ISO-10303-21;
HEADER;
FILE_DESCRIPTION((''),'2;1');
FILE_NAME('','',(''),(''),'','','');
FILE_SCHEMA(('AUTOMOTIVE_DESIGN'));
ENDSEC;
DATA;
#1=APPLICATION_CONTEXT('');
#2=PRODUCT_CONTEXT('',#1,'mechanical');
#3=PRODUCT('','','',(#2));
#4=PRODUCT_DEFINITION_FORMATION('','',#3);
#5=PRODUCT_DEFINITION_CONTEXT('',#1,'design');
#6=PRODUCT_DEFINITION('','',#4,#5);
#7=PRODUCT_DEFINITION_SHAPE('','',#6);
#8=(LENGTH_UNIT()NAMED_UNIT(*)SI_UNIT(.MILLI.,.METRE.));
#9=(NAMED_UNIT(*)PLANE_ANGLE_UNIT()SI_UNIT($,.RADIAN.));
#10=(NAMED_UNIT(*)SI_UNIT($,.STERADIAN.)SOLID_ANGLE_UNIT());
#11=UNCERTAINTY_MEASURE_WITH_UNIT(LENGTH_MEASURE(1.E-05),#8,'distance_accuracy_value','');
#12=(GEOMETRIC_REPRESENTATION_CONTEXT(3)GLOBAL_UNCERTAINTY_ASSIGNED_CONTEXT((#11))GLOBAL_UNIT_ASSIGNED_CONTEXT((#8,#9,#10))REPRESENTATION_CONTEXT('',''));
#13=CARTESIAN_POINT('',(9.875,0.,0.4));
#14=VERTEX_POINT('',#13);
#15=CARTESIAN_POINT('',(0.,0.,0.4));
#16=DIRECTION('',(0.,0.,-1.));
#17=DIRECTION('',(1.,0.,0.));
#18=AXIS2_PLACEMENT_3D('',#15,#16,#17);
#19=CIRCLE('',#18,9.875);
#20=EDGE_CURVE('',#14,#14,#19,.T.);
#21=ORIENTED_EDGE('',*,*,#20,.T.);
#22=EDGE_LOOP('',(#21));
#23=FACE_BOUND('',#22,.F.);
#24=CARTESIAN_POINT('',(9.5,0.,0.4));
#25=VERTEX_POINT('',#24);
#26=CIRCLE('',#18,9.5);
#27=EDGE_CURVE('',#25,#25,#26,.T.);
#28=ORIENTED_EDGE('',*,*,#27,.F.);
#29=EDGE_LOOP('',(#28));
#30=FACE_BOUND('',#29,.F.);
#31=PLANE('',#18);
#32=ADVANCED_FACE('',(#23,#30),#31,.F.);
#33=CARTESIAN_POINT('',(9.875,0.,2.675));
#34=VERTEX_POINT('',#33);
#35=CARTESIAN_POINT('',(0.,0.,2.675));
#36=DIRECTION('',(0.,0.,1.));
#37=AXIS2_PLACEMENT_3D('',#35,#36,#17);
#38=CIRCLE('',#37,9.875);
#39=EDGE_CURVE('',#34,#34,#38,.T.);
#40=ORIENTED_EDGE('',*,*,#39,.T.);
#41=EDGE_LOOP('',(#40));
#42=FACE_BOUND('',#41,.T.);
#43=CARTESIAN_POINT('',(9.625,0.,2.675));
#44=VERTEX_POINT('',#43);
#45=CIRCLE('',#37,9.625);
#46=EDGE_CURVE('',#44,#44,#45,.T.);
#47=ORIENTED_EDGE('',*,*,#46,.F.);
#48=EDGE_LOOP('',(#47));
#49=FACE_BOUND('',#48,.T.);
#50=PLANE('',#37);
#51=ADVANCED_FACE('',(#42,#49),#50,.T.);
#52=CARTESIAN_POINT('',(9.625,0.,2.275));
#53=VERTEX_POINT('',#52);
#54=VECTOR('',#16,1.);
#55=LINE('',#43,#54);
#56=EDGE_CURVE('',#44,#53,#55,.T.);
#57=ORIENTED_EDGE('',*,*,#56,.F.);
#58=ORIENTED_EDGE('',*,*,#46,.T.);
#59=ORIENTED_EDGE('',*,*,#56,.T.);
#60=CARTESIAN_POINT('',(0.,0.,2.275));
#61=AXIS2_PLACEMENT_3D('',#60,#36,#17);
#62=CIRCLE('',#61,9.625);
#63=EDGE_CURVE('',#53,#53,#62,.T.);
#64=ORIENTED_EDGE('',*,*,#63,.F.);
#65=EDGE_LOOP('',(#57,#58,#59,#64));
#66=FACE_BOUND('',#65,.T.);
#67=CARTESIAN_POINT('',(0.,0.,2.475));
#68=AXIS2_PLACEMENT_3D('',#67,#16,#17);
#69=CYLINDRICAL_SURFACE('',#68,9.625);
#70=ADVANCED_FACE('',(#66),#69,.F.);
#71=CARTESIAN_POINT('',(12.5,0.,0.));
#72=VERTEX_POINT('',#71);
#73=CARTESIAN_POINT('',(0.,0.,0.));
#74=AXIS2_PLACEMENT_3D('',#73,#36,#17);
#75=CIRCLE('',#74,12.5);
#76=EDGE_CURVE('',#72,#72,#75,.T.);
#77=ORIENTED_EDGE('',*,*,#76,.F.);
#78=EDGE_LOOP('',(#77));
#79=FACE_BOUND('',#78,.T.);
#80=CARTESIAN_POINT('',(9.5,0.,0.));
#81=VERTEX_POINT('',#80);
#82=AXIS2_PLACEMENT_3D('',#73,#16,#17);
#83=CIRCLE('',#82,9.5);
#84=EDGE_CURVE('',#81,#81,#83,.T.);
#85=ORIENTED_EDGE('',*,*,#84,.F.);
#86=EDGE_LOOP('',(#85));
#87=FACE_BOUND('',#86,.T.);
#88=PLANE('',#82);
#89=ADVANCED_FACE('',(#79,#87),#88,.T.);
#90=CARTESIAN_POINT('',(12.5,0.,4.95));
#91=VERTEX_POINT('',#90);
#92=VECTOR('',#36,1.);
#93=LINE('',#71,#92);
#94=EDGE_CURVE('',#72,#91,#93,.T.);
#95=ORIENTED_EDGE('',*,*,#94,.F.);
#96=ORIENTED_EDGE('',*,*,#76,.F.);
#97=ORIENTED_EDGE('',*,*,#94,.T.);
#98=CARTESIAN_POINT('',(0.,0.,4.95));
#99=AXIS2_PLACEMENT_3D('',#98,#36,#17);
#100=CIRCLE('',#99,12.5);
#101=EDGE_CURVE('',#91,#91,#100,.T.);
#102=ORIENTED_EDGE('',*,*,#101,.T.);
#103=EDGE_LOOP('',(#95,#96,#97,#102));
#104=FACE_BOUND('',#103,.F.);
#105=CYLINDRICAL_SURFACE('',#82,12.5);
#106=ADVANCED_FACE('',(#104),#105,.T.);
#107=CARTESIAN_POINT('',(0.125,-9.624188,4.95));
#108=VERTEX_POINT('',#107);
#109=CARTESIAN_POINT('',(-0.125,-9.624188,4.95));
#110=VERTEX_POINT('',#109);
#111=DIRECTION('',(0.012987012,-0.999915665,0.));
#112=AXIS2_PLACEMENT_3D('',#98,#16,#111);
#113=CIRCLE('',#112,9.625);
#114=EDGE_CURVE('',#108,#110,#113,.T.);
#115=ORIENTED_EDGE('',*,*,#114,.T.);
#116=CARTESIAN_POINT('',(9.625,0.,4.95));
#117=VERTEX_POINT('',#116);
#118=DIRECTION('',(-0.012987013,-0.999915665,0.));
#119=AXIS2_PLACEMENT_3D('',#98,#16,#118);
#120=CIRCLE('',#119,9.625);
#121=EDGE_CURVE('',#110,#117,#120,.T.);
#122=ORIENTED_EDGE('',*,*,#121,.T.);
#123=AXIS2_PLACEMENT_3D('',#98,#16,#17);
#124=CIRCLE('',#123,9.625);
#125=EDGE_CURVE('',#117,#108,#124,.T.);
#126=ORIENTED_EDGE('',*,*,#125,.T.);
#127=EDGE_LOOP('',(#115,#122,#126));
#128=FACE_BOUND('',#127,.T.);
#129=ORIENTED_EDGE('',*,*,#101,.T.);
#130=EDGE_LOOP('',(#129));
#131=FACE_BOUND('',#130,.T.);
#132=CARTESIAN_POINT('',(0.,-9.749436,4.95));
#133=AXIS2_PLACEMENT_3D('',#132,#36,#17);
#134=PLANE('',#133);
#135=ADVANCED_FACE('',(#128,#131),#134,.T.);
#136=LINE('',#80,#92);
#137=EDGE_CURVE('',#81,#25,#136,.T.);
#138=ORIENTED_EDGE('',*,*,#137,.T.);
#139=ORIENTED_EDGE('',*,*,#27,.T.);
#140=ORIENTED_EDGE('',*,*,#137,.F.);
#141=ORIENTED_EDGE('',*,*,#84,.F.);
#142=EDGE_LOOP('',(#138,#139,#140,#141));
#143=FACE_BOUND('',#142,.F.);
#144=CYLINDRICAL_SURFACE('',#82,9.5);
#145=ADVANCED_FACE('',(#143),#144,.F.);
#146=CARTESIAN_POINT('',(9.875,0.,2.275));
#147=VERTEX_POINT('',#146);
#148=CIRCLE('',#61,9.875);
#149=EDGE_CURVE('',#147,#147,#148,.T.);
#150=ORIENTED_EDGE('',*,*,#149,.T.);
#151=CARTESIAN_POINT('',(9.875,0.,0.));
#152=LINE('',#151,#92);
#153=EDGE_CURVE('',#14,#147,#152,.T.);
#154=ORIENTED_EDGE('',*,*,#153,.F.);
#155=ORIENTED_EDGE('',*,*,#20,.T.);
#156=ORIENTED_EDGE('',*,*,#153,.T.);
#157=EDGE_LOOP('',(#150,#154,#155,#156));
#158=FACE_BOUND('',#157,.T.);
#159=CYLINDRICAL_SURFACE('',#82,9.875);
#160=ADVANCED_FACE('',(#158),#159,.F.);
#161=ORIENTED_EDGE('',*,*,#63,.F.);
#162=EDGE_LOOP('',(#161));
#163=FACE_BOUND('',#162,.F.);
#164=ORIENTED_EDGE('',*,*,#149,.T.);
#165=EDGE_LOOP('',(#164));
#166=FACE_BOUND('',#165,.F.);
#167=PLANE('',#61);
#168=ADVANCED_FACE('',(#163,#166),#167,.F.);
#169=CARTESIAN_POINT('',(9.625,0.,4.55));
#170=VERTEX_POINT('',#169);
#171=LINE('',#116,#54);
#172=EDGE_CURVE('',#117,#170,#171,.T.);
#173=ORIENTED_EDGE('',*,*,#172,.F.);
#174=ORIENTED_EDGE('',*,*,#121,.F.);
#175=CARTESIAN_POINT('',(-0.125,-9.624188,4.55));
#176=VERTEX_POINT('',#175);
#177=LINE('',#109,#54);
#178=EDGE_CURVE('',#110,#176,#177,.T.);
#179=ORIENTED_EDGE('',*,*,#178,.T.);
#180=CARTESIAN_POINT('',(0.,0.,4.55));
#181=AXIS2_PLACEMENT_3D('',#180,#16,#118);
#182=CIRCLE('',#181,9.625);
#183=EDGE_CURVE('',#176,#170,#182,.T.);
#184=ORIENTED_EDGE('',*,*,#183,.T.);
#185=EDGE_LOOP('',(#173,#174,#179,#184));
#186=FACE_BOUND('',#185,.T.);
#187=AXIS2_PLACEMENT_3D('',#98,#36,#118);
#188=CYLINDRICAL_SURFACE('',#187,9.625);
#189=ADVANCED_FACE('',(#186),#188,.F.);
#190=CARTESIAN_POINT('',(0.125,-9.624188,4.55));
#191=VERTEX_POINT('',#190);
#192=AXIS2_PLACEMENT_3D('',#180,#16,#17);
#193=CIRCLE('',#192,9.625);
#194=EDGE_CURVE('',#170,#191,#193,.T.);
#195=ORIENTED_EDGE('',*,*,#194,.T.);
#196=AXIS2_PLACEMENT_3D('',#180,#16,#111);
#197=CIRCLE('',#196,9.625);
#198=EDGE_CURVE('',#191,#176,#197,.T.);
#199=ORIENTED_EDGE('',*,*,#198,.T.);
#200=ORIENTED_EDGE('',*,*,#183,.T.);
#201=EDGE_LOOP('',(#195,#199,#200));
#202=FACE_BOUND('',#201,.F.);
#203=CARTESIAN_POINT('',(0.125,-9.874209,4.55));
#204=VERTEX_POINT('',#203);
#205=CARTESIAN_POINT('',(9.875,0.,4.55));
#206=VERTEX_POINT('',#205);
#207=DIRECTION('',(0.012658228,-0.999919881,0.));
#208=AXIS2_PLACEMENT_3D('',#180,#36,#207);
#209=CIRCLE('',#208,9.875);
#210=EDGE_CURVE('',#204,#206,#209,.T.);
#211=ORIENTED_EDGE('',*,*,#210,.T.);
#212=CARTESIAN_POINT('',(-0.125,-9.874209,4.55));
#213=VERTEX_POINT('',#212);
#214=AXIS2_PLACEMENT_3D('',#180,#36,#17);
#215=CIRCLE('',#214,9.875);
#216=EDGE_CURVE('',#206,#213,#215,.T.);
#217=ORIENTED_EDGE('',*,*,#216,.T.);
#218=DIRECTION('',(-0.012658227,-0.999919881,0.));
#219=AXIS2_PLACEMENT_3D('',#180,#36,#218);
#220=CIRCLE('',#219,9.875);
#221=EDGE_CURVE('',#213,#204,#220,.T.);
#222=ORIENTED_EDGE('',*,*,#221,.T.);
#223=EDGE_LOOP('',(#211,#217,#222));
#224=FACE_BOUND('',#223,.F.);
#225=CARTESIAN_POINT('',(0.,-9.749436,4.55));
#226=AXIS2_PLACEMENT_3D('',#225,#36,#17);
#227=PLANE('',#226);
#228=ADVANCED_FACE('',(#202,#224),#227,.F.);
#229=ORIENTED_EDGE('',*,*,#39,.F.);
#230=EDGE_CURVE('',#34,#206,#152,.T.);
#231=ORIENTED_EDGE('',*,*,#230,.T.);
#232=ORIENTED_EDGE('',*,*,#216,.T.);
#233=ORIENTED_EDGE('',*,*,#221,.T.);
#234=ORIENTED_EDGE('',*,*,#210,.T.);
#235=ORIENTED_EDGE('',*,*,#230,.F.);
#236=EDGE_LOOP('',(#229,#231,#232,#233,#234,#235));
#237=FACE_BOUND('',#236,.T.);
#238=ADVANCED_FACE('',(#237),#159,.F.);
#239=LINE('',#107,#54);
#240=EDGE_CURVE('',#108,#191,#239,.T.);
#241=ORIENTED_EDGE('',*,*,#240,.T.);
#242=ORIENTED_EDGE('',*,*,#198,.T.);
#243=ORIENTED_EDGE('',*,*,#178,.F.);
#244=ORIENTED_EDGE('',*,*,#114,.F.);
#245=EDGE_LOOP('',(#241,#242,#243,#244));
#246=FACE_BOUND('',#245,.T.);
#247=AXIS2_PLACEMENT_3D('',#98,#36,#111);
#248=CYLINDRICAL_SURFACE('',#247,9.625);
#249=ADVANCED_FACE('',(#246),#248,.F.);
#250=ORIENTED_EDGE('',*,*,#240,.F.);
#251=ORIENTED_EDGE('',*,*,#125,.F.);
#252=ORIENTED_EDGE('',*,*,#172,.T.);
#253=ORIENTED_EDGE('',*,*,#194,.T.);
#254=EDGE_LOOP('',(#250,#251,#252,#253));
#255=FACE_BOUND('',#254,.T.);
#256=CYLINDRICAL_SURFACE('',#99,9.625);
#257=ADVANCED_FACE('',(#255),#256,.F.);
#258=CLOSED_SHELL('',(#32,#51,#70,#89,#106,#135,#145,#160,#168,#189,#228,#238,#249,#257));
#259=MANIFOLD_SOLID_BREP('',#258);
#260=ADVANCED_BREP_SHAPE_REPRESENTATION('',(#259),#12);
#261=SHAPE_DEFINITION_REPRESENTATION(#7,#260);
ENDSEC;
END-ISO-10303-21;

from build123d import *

# Parameters (mm, degrees)
F0_R      = 12.5
F0_R_2    = 9.875
F1_DEPTH  = 4.95
F3_R      = 9.875
F3_R_2    = 9.625
F4_DEPTH  = 0.2
F6_R      = 9.875
F6_R_2    = 9.5
F7_DEPTH  = 0.4
F10_DEPTH = 0.4


with BuildPart() as f1:
    # F0 (on Top) → F1 (new body)
    with BuildSketch(Plane.XY):
        Circle(F0_R)
        Circle(F0_R_2, mode=Mode.SUBTRACT)
    extrude(amount=F1_DEPTH)

    # F3 (on offset) → F4 (join, symmetric)
    with BuildSketch(Plane.XY.offset(2.475)):
        Circle(F3_R)
        Circle(F3_R_2, mode=Mode.SUBTRACT)
    extrude(amount=F4_DEPTH, both=True)

    # F6 (on offset) → F7 (join)
    with BuildSketch(Plane(origin=(0, 0, 0), x_dir=(1, 0, 0), z_dir=(0, 0, -1))):
        Circle(F6_R)
        Circle(F6_R_2, mode=Mode.SUBTRACT)
    extrude(amount=-F7_DEPTH)

    # F9 (on offset) → F10 (join)
    with BuildSketch(Plane.XY.offset(4.95)):
        with BuildLine():
            ThreePointArc((0.125, -9.6241882775), (0, -9.625), (-0.125, -9.6241882775))
            Line((-0.125, -9.6241882775), (-0.125, -9.8742088291))
            ThreePointArc((-0.125, -9.8742088291), (0, -9.875), (0.125, -9.8742088291))
            Line((0.125, -9.8742088291), (0.125, -9.6241882775))
        make_face()
        with BuildLine():
            ThreePointArc((-0.125, -9.6241882775), (-6.7615641681, 6.8499543794), (9.625, 0))
            ThreePointArc((9.625, 0), (6.8499543794, -6.7615641681), (0.125, -9.6241882775))
            Line((0.125, -9.6241882775), (0.125, -9.8742088291))
            ThreePointArc((0.125, -9.8742088291), (7.0267346613, -6.9383445432), (9.875, 0))
            ThreePointArc((9.875, 0), (-6.9383445432, 7.0267346613), (-0.125, -9.8742088291))
            Line((-0.125, -9.8742088291), (-0.125, -9.6241882775))
        make_face()
    extrude(amount=-F10_DEPTH)


solid = f1.part
